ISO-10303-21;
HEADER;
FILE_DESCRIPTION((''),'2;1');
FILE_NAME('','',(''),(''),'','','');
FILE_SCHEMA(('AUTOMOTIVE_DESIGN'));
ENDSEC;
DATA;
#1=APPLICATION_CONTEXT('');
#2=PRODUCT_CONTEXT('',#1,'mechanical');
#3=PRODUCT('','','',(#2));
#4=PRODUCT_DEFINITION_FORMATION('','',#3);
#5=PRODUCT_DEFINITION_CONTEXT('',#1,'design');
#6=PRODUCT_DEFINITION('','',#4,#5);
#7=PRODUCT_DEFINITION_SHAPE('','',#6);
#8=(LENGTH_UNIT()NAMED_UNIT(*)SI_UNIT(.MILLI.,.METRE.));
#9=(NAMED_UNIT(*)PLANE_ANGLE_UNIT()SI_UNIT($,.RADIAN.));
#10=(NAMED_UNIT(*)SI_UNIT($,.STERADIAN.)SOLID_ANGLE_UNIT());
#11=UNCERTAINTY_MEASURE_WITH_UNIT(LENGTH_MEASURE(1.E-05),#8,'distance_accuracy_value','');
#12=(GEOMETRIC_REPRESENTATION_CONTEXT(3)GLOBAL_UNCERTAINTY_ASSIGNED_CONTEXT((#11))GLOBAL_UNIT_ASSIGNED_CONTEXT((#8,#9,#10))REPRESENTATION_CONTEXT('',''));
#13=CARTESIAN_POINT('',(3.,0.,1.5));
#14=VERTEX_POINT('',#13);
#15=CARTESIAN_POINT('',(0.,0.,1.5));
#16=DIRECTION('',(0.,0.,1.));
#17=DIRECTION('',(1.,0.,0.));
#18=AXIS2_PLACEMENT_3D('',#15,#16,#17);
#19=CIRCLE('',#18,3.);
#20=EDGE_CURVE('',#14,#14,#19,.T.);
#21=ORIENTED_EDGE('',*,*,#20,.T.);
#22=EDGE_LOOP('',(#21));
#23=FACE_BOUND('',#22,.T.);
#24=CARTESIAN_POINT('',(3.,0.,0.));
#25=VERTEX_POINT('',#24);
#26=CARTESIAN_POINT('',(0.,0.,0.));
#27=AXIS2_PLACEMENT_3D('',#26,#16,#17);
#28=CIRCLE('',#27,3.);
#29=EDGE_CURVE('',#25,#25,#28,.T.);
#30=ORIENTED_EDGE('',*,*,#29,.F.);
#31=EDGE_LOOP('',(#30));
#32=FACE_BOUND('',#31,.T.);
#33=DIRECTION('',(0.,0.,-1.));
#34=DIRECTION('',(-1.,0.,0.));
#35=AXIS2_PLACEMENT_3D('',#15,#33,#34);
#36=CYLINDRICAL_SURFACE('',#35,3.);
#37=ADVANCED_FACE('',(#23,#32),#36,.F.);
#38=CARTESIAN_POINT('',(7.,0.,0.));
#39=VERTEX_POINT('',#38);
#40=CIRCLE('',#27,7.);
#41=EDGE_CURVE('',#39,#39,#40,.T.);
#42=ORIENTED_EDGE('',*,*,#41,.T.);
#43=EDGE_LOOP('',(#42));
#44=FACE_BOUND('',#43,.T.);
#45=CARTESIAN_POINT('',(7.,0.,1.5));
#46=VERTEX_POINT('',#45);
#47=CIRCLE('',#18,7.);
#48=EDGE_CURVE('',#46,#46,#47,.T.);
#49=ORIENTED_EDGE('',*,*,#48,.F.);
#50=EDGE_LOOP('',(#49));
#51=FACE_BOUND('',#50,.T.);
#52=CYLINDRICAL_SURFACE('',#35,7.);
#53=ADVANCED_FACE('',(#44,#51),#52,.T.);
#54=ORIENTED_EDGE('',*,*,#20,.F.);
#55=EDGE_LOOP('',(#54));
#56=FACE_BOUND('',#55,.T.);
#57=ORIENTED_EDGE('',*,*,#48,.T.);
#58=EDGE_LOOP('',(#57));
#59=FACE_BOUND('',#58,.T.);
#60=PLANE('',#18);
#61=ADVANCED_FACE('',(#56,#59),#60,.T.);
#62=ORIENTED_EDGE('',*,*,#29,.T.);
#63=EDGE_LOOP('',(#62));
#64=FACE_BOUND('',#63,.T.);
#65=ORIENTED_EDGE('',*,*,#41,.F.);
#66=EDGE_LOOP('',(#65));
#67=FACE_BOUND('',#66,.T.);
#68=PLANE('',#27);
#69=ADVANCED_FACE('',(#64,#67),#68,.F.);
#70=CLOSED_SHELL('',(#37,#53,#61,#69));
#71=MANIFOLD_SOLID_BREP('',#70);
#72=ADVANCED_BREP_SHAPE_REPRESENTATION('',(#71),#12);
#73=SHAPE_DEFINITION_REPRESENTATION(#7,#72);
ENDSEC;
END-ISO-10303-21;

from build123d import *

# Parameters (mm, degrees)
SKETCH1_R      = 7
SKETCH1_R_2    = 3
EXTRUDE1_DEPTH = 1.5


with BuildPart() as part:
    # Sketch1 → Extrude1 (new body)
    with BuildSketch(Plane.XY):
        Circle(SKETCH1_R)
        Circle(SKETCH1_R_2, mode=Mode.SUBTRACT)
    extrude(amount=EXTRUDE1_DEPTH)


solid = part.part
